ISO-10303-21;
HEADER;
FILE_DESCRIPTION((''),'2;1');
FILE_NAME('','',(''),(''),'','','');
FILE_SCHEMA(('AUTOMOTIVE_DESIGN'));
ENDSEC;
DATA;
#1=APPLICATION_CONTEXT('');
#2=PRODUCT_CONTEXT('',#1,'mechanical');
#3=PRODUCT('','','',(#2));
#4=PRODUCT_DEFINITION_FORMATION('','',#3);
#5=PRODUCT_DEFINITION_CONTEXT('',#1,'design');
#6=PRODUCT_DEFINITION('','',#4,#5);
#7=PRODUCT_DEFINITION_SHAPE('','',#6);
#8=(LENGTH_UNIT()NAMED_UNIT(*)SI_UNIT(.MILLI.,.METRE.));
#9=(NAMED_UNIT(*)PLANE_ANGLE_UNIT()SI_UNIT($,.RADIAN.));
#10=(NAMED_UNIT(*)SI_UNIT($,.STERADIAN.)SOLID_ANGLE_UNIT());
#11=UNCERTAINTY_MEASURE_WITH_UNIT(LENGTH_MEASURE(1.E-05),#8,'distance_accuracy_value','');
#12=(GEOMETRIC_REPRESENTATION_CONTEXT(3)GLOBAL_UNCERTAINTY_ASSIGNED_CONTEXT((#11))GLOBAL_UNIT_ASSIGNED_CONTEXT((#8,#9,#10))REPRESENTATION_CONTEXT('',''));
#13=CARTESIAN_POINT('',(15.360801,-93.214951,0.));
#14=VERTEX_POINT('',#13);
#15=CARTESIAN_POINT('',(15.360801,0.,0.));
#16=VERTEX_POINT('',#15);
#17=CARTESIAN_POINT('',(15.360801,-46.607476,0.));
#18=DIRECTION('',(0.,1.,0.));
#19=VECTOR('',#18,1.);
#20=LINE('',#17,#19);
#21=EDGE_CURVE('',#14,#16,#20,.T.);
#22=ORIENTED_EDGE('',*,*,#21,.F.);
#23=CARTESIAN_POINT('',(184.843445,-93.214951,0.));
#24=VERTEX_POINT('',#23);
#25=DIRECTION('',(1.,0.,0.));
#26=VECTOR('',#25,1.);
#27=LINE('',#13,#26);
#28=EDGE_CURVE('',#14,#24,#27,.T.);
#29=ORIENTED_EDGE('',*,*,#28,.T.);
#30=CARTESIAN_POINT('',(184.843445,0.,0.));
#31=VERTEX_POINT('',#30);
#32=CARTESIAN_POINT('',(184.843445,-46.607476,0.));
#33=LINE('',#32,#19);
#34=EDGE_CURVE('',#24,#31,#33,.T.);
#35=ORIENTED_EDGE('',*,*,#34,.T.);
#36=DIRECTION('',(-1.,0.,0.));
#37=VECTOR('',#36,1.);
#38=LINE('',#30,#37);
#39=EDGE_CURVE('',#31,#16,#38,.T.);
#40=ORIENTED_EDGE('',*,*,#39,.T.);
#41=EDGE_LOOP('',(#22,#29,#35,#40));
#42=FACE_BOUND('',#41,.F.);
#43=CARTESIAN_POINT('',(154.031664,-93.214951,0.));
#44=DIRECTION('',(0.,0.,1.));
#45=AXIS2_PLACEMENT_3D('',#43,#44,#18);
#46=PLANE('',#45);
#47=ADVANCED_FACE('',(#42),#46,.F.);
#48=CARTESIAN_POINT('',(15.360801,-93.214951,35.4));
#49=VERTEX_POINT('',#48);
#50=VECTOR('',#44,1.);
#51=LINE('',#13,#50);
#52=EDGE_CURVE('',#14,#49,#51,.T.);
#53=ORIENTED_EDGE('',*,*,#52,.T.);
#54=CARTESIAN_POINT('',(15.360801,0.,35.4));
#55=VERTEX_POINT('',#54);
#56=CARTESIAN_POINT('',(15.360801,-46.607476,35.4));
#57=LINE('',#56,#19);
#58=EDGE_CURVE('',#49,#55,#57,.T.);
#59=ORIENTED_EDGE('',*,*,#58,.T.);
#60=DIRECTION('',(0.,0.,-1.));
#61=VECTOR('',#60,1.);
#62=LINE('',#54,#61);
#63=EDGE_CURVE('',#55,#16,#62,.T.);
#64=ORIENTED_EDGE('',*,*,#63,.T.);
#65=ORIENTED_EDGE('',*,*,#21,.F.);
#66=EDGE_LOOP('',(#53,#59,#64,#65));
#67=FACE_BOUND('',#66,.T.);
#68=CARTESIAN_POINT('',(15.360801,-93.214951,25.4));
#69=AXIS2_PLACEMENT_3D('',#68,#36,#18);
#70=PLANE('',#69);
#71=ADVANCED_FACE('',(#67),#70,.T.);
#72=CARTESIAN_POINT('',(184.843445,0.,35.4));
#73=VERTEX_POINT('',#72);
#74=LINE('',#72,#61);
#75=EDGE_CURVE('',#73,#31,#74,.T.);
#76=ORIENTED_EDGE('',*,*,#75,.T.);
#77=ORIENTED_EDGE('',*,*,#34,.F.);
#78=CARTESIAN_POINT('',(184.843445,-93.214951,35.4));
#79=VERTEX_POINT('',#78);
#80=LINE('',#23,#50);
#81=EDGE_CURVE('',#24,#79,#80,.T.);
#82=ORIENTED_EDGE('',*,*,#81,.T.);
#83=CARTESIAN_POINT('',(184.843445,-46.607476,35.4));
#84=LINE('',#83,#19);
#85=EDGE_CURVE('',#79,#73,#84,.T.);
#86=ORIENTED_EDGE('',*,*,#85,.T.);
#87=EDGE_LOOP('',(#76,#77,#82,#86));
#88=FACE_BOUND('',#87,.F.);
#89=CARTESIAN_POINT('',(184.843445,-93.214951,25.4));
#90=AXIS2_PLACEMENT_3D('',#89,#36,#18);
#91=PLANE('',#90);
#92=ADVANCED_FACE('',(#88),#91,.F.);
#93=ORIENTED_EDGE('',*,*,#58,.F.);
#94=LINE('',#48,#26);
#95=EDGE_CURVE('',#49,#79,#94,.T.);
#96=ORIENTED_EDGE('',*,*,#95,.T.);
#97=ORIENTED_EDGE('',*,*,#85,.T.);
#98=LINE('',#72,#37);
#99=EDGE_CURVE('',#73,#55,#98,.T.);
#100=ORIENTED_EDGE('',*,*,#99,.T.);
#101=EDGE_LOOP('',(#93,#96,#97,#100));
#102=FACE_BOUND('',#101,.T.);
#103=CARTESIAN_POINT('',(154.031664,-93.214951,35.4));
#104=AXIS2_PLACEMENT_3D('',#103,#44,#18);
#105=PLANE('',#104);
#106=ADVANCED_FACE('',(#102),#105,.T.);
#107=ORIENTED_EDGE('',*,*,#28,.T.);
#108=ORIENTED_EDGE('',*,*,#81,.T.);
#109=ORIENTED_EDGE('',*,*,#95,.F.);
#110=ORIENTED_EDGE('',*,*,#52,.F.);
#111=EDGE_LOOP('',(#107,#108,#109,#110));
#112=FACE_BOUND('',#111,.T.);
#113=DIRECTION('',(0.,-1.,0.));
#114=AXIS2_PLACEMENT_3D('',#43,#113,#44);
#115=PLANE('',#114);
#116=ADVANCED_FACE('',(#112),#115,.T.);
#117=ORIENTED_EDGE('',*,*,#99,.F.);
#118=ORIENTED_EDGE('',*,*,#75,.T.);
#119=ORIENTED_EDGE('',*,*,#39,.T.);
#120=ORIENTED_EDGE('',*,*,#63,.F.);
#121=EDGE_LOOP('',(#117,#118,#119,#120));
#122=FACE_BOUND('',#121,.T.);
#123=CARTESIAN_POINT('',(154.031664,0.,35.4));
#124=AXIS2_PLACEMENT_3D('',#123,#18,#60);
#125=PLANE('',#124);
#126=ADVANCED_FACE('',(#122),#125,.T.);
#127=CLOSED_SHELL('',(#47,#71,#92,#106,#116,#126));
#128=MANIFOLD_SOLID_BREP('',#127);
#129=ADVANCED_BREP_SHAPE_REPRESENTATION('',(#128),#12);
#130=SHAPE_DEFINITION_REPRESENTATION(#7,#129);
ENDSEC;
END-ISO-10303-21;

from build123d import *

# Parameters (mm, degrees)
F0_W     = 64.0112925321
F0_H     = 93.2149514556
F2_DEPTH = 25.4
F3_DEPTH = 10
F4_DEPTH = 74.6595710516
F5_DEPTH = 30.8117810637


with BuildPart() as f2:
    # F0 (on Top) → F2 (new body)
    with BuildSketch(Plane.XY):
        with Locations((47.3664468154, -46.6074757278)):
            Rectangle(F0_W, F0_H)
    extrude(amount=F2_DEPTH)

    # F3 (add): a face of the model
    f3_faces = [f2.faces().sort_by_distance(p)[0] for p in [
        (47.3664468154, -46.6074757278, 25.4),
    ]]
    extrude(f3_faces, amount=F3_DEPTH)

    # F4 (add): a face of the model
    f4_faces = [f2.faces().sort_by_distance(p)[0] for p in [
        (79.3720930815, -46.6074757278, 17.7),
    ]]
    extrude(f4_faces, amount=F4_DEPTH)

    # F5 (add): a face of the model
    f5_faces = [f2.faces().sort_by_distance(p)[0] for p in [
        (154.0316641331, -46.6074757278, 17.7),
    ]]
    extrude(f5_faces, amount=F5_DEPTH)


solid = f2.part
